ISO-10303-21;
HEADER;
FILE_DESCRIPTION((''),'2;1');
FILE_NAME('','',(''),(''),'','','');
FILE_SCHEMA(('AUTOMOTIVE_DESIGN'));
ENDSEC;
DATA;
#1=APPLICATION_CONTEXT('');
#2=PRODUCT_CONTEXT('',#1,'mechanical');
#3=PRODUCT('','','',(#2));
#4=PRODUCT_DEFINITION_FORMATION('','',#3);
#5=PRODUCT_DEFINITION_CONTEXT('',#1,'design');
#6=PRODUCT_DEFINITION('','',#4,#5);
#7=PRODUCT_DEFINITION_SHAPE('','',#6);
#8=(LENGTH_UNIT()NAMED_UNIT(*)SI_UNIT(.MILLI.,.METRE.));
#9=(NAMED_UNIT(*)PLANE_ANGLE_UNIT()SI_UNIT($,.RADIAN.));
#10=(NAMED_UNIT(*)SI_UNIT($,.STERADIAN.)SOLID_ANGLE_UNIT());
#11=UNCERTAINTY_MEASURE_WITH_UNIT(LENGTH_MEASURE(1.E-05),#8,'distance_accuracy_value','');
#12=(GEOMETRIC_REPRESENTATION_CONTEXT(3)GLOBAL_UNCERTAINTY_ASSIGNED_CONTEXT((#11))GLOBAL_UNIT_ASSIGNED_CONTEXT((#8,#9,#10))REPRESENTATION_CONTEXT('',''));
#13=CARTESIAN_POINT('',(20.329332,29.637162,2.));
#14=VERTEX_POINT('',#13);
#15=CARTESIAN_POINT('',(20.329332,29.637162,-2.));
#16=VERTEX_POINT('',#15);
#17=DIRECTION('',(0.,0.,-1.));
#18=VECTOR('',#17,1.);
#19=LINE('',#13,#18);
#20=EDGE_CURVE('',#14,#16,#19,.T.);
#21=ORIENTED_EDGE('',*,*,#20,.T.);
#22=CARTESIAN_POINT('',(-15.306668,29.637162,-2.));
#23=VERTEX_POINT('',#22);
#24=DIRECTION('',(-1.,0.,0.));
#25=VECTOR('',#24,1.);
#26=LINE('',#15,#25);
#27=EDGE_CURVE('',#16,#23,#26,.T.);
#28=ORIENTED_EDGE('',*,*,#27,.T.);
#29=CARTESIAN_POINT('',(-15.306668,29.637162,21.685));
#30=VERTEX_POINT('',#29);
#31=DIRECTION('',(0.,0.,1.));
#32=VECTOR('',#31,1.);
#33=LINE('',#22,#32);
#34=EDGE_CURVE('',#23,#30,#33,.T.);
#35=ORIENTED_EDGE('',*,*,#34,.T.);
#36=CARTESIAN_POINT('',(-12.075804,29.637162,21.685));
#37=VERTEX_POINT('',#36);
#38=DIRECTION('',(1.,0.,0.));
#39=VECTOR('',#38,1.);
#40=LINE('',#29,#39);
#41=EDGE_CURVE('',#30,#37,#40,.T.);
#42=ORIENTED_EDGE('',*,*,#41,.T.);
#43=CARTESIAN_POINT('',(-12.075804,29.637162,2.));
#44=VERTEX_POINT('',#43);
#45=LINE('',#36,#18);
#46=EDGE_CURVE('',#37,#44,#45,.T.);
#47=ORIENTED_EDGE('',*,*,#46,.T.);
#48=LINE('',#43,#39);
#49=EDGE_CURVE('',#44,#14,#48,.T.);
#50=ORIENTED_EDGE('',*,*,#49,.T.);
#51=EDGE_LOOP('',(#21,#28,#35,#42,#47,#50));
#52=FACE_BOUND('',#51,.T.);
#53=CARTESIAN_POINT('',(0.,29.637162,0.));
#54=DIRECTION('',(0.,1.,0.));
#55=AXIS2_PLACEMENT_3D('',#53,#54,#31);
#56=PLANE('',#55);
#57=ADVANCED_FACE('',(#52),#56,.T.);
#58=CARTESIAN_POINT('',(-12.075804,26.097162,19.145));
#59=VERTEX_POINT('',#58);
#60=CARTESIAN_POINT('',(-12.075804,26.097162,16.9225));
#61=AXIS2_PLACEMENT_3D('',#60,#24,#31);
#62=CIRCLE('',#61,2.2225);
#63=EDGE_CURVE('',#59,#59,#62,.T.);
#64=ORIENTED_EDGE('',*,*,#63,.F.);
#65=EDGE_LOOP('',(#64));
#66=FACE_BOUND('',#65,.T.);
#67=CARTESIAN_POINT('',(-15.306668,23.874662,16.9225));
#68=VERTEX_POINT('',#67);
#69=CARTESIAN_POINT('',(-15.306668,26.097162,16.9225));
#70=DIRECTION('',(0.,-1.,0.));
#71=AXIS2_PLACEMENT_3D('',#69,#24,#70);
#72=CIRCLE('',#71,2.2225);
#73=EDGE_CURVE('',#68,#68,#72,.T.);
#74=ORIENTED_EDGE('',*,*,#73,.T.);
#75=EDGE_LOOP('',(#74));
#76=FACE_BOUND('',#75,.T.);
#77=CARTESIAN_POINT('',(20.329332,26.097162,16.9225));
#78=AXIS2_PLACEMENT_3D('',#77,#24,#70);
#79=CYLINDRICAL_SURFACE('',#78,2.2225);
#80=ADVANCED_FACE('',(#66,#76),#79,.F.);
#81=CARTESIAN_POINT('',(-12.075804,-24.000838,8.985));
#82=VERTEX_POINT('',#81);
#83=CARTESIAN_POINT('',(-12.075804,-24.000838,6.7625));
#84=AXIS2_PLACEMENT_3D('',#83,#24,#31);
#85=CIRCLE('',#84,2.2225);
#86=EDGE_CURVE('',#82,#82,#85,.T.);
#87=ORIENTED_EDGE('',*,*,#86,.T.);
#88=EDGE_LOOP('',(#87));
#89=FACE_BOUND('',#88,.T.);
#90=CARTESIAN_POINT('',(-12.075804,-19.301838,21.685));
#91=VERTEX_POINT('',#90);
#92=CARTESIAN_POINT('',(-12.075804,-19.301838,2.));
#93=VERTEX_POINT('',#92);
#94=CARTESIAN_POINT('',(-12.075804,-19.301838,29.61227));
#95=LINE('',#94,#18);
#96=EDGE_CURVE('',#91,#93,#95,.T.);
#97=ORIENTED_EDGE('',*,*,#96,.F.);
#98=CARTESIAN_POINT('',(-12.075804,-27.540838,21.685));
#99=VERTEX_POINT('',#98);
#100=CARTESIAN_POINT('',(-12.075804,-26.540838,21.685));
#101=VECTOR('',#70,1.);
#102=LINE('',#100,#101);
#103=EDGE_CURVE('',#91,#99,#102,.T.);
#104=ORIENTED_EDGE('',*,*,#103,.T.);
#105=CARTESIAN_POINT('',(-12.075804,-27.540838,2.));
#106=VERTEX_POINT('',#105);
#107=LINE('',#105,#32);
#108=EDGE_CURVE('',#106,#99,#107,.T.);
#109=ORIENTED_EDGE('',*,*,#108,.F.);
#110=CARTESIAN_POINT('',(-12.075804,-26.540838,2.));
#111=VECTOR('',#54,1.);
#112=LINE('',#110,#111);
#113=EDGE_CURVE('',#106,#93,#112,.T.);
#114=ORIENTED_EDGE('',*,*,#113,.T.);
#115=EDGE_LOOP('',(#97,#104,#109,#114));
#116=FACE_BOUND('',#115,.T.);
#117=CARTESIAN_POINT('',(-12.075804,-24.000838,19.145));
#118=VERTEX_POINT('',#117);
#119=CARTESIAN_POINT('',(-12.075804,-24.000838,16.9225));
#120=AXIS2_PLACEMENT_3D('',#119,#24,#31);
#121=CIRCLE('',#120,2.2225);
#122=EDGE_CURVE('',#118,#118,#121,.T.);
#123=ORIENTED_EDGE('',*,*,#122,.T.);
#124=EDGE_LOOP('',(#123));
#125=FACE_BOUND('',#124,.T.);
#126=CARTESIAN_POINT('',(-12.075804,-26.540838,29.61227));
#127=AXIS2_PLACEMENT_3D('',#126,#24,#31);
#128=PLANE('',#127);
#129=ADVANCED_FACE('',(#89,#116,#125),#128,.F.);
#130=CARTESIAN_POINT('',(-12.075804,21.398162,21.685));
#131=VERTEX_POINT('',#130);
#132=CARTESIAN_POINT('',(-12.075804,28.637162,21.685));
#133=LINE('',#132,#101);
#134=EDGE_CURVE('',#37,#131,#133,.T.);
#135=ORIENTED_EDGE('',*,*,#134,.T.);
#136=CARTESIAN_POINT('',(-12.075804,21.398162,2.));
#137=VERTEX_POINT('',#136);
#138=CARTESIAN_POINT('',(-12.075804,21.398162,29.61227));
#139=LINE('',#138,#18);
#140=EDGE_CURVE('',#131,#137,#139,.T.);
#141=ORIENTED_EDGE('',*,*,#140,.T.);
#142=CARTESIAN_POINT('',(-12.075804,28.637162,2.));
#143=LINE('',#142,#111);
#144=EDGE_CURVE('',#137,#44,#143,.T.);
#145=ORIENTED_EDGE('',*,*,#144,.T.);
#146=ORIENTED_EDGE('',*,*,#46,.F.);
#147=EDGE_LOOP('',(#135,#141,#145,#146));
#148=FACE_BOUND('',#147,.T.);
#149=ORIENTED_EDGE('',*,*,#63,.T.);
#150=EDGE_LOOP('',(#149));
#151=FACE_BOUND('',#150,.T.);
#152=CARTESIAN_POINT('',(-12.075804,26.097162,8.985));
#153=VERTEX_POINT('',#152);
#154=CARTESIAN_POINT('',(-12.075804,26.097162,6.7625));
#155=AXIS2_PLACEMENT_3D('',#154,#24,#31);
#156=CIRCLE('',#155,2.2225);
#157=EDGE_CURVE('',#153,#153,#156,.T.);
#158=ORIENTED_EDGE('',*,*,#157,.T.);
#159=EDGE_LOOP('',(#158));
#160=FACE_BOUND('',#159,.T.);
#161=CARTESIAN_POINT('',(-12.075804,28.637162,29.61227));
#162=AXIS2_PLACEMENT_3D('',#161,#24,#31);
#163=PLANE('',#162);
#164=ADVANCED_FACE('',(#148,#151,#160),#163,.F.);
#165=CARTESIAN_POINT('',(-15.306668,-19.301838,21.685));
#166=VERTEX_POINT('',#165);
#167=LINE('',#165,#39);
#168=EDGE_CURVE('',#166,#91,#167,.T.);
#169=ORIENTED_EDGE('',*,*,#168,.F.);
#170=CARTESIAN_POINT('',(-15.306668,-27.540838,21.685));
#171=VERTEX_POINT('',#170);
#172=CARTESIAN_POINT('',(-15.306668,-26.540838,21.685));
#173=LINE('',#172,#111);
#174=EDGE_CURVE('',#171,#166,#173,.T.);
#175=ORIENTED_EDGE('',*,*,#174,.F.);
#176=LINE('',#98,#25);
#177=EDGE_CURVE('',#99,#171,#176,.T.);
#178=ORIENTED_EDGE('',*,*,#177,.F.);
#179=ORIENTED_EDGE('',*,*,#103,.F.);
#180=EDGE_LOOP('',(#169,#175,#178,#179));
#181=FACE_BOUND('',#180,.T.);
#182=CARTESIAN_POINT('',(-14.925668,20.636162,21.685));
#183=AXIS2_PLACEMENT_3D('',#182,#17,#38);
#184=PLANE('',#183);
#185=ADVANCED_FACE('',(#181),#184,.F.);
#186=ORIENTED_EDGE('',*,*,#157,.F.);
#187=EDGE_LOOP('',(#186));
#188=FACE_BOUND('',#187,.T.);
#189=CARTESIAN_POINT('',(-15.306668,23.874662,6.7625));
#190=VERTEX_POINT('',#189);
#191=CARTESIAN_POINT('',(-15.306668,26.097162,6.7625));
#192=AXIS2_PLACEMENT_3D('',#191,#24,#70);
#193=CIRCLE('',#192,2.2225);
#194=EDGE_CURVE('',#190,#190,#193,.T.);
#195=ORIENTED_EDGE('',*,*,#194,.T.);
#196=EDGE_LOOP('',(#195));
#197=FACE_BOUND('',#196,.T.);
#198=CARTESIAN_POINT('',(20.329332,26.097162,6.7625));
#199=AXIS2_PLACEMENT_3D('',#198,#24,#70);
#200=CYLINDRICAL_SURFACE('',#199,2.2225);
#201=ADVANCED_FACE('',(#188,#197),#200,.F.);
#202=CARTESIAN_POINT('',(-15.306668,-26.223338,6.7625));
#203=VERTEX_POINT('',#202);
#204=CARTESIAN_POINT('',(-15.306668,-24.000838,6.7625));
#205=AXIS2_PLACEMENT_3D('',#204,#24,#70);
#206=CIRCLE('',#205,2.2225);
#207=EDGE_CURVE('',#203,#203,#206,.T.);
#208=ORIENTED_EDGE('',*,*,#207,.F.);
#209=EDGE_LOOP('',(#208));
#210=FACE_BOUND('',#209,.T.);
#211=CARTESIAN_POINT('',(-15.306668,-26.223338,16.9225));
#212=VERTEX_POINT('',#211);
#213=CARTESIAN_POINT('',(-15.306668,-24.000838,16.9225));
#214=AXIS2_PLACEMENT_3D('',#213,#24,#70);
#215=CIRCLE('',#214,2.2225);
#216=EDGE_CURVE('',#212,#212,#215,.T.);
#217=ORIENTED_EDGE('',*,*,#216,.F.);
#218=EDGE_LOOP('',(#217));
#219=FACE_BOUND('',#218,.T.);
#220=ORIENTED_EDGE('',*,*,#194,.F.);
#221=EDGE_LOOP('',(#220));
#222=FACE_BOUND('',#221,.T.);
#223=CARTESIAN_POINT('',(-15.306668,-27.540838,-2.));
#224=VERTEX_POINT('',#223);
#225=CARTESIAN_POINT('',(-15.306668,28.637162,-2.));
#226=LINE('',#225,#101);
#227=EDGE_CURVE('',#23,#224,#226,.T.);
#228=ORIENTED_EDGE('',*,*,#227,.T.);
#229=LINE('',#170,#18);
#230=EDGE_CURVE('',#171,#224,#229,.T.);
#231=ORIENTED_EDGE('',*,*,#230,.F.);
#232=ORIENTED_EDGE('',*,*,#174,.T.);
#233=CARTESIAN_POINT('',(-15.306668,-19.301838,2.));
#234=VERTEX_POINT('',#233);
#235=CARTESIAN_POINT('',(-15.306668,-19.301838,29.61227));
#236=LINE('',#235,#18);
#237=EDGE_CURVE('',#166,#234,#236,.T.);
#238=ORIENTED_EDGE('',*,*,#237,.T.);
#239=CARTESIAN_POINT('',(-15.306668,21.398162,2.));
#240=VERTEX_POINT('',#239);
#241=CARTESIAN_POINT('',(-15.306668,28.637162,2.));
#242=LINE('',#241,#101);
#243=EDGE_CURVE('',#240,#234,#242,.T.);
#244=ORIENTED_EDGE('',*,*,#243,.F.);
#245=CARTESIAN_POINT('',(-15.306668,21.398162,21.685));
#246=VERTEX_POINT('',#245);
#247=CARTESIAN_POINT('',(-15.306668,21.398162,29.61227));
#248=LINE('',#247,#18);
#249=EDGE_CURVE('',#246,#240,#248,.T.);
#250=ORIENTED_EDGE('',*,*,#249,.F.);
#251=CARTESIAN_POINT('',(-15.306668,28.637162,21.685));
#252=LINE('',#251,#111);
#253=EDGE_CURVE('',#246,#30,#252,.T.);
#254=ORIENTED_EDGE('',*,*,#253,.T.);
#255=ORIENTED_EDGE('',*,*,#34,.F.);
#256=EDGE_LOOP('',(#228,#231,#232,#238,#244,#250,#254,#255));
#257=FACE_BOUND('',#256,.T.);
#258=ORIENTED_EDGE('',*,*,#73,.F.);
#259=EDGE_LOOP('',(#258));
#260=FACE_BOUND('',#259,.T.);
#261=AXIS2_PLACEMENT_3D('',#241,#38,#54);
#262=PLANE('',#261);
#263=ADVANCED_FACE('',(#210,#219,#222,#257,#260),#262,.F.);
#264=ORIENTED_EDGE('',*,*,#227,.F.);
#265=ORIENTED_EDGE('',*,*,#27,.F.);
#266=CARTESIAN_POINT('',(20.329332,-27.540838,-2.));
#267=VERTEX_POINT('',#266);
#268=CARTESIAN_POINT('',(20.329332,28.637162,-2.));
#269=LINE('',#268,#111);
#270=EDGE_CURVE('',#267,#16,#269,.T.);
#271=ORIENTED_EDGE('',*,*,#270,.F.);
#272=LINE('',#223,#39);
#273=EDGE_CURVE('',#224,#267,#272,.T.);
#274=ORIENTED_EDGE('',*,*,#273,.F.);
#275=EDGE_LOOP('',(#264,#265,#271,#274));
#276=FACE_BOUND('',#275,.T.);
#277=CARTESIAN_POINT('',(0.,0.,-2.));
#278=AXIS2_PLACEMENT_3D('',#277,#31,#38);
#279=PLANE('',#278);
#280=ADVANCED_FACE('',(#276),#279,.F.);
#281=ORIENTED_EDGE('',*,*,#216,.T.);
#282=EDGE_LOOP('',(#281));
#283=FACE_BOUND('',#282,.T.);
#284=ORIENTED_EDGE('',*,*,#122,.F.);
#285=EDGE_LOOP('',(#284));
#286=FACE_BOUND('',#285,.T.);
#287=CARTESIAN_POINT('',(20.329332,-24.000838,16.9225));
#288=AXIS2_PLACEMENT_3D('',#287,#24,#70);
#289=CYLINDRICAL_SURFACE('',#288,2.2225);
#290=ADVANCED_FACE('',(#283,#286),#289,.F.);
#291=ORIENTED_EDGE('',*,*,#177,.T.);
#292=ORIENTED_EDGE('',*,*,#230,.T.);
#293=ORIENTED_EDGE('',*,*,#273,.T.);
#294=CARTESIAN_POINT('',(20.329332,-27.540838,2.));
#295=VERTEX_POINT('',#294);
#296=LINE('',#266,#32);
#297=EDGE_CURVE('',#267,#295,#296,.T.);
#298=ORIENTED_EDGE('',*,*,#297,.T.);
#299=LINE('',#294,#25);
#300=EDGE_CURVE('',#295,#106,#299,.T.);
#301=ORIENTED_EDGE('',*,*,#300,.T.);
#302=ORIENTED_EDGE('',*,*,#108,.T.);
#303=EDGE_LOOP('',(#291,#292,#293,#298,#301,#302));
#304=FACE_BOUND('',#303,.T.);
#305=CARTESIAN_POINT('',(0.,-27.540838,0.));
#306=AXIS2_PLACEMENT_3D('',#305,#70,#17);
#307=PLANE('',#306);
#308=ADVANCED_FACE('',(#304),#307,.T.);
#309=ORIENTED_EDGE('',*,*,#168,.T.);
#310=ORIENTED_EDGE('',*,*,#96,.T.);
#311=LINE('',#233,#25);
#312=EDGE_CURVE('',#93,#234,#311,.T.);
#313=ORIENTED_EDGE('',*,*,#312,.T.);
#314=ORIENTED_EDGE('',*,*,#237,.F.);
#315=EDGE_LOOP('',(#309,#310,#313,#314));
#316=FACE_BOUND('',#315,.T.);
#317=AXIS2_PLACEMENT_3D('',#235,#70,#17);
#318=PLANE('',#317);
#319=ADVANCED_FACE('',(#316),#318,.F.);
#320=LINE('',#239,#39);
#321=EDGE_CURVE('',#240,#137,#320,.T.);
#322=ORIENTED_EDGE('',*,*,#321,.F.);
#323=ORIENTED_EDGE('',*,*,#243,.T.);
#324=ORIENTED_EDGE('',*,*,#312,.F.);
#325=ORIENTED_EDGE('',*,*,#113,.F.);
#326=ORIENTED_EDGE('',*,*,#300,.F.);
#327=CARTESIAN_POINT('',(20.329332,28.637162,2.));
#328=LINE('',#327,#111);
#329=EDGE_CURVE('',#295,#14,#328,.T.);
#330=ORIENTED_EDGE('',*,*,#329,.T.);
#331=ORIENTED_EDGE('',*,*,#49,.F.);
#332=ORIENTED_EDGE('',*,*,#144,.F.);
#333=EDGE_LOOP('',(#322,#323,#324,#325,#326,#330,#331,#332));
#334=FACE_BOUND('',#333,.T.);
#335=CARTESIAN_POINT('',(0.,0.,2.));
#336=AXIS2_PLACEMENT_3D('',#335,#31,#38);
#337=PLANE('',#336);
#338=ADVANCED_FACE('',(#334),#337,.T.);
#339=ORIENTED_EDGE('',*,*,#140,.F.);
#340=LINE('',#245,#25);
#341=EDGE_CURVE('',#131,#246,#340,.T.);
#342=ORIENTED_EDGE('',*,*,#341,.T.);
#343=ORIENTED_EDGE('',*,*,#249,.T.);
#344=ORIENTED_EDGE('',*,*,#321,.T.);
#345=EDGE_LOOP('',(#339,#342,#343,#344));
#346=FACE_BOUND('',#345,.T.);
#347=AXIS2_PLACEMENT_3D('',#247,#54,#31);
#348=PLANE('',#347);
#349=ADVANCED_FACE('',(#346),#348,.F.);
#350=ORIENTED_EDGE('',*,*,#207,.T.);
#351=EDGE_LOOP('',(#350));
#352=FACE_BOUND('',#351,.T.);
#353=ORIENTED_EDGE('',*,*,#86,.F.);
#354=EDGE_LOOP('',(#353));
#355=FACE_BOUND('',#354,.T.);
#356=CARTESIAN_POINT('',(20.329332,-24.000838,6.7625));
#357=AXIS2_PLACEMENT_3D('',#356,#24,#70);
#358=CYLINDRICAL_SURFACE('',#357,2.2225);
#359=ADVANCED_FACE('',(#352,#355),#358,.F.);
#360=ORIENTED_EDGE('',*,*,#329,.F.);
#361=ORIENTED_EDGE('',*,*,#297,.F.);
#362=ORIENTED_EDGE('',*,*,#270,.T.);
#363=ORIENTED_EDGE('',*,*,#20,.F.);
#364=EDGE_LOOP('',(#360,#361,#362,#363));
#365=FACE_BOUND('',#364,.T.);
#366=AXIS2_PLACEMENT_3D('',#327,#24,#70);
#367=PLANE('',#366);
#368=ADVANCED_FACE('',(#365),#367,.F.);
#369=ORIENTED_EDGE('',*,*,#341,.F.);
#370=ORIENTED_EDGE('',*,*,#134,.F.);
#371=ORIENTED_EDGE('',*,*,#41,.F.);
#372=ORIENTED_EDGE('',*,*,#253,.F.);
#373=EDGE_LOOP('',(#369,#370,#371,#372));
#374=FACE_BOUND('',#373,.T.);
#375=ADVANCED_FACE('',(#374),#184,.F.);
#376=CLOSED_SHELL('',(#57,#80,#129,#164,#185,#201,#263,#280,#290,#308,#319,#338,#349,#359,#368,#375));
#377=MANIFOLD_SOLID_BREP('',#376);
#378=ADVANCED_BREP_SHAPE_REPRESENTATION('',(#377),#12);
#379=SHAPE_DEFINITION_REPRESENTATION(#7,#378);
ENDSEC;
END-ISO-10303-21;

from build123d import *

# Parameters (mm, degrees)
SKETCH1_W           = 35.636
SKETCH1_H           = 55.178
BOSS_EXTRUDE1_DEPTH = 2
SKETCH2_W           = 3.23086443
SKETCH2_H           = 7.239
BOSS_EXTRUDE2_DEPTH = 19.685
SKETCH3_R           = 2.2225
CUT_EXTRUDE1_DEPTH  = 51.598920687
BOSS_EXTRUDE4_DEPTH = 1
BOSS_EXTRUDE5_DEPTH = 1


with BuildPart() as part:
    # Sketch1 → Boss-Extrude1 (new, symmetric)
    with BuildSketch(Plane.XY):
        with Locations((2.511331614, 1.04816211)):
            Rectangle(SKETCH1_W, SKETCH1_H)
    extrude(amount=BOSS_EXTRUDE1_DEPTH, both=True)

    # Sketch2 → Boss-Extrude2 (add)
    with BuildSketch(Plane.XY.offset(2)):
        with Locations((-13.691236171, 25.01766211)):
            Rectangle(SKETCH2_W, SKETCH2_H)
        with Locations((-13.691236171, -22.92133789)):
            Rectangle(SKETCH2_W, SKETCH2_H)
    extrude(amount=BOSS_EXTRUDE2_DEPTH)

    # Sketch3 → Cut-Extrude1 (cut, through all)
    with BuildSketch(Plane.ZY.offset(15.306668386)):
        with Locations(Location((16.9225, 26.09716211, 0), (0, 0, 270))):
            Circle(SKETCH3_R)
        with Locations(Location((16.9225, -24.00083789, 0), (0, 0, 270))):
            Circle(SKETCH3_R)
        with Locations(Location((6.7625, 26.09716211, 0), (0, 0, 270))):
            Circle(SKETCH3_R)
        with Locations(Location((6.7625, -24.00083789, 0), (0, 0, 270))):
            Circle(SKETCH3_R)
    extrude(amount=-CUT_EXTRUDE1_DEPTH, mode=Mode.SUBTRACT)

    # Sketch5 → Boss-Extrude4 (add)
    with BuildSketch(Plane.XZ.offset(26.54083789)):
        Polygon((-15.306668386, -2), (20.329331614, -2), (20.329331614, 2), (-12.075803956, 2), (-12.075803956, 21.685), (-15.306668386, 21.685), align=None)
    extrude(amount=BOSS_EXTRUDE4_DEPTH)

    # Sketch6 → Boss-Extrude5 (add)
    with BuildSketch(Plane(origin=(0, 28.63716211, 0), x_dir=(1, 0, 0), z_dir=(0, 1, 0))):
        Polygon((20.329331614, 2), (-15.306668386, 2), (-15.306668386, -21.685), (-12.075803956, -21.685), (-12.075803956, -2), (20.329331614, -2), align=None)
    extrude(amount=BOSS_EXTRUDE5_DEPTH)


solid = part.part
